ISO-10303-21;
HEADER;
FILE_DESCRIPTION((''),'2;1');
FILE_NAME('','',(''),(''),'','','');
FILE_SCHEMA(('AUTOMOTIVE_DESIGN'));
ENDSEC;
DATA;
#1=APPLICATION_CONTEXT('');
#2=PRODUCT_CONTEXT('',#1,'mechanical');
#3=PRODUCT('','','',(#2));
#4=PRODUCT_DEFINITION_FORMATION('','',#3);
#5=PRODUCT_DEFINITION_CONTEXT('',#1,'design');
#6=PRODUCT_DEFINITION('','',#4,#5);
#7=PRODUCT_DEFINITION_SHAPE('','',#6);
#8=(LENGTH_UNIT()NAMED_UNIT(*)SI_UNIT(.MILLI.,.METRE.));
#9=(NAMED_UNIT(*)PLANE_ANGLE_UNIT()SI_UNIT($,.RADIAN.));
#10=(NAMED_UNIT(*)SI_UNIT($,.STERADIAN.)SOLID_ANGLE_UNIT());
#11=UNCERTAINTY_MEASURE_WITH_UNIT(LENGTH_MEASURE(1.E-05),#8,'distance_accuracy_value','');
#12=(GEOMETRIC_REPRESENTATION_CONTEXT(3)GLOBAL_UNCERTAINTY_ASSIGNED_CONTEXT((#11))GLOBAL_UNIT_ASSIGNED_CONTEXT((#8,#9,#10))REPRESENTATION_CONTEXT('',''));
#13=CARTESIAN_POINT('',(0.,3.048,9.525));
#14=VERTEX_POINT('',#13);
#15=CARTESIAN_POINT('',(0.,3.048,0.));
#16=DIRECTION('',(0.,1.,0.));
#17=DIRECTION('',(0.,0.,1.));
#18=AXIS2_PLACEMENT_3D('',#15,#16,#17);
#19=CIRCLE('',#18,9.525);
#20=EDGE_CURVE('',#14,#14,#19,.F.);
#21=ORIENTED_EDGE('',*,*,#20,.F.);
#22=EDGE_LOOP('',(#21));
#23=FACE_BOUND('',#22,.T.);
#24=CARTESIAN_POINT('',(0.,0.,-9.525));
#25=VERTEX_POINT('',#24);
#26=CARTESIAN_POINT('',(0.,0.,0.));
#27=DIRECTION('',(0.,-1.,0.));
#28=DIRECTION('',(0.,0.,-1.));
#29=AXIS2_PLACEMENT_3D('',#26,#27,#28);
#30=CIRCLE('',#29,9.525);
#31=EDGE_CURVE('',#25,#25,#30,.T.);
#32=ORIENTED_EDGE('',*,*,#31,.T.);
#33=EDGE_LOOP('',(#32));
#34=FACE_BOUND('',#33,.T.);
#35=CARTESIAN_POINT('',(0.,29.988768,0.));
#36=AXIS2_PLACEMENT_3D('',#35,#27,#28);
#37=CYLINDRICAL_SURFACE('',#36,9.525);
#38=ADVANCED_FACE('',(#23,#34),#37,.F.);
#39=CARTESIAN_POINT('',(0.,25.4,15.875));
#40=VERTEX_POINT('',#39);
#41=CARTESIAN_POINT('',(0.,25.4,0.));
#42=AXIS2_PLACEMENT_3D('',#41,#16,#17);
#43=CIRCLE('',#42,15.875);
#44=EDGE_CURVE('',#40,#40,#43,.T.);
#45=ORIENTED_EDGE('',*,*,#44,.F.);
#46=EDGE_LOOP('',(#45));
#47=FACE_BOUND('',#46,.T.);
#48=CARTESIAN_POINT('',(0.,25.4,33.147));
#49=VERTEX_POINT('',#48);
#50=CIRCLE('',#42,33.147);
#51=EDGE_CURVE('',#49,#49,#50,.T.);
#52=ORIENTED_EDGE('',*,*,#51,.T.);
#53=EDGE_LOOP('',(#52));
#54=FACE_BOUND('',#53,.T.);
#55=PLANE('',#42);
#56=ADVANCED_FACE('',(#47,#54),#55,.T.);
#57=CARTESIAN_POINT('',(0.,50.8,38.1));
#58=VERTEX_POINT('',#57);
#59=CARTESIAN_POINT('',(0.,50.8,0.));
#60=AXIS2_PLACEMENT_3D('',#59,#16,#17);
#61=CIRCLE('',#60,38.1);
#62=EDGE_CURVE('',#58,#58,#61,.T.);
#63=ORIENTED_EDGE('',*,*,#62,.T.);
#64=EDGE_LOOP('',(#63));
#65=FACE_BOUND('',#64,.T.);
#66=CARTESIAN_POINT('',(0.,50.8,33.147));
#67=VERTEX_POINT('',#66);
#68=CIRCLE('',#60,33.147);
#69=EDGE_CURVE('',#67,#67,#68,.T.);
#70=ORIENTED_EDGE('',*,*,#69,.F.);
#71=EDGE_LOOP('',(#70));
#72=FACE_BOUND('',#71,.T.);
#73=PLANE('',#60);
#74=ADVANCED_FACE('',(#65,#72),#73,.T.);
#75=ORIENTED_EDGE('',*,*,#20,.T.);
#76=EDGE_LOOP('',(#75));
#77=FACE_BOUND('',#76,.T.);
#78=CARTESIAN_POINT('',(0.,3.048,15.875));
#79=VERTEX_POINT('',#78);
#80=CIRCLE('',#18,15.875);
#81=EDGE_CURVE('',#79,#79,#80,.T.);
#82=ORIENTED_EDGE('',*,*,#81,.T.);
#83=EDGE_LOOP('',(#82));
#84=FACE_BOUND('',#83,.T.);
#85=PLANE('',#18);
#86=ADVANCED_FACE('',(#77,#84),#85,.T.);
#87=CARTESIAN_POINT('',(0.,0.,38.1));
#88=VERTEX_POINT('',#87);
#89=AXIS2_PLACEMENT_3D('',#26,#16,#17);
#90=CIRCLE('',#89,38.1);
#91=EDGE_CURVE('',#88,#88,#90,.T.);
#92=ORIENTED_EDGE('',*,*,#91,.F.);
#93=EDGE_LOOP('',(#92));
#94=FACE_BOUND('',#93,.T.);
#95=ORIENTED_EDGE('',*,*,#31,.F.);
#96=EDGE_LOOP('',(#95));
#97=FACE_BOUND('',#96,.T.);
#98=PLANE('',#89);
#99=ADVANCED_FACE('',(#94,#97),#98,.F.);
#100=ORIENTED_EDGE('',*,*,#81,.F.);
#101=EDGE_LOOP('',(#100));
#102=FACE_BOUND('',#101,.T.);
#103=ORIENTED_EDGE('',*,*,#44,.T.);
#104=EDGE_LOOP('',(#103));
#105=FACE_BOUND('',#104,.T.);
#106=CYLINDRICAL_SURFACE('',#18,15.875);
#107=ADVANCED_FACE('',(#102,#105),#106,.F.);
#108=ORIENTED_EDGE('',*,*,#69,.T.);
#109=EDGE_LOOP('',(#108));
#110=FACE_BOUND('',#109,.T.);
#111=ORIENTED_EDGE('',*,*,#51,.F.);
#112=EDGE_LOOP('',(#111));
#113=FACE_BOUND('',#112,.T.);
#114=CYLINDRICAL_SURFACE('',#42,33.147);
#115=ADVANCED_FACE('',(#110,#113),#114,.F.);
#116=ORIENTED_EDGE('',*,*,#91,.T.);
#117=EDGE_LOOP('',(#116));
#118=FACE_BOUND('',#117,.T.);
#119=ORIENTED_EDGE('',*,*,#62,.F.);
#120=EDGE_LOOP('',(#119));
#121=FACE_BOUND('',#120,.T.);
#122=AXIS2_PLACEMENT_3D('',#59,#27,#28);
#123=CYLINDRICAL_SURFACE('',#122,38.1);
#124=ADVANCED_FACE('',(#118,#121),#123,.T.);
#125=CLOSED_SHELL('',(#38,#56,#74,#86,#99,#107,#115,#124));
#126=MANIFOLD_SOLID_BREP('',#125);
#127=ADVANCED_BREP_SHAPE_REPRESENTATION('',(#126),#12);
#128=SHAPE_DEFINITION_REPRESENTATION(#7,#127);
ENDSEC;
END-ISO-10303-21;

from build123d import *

# Parameters (mm, degrees)
SKETCH1_R           = 38.1
BOSS_EXTRUDE2_DEPTH = 50.8
SKETCH3_R           = 15.875
CUT_EXTRUDE2_DEPTH  = 47.752
SKETCH3_6_R         = 33.147
SKETCH3_6_R_2       = 15.875
CUT_EXTRUDE3_DEPTH  = 25.4
SKETCH4_R           = 9.525
CUT_EXTRUDE4_DEPTH  = 3.048


with BuildPart() as part:
    # Sketch1 → Boss-Extrude2 (new body)
    with BuildSketch(Plane(origin=(0, 0, 0), x_dir=(1, 0, 0), z_dir=(0, 1, 0))):
        Circle(SKETCH1_R)
    extrude(amount=BOSS_EXTRUDE2_DEPTH)

    # Sketch3 → Cut-Extrude2 (cut)
    with BuildSketch(Plane(origin=(0, 50.8, 0), x_dir=(1, 0, 0), z_dir=(0, 1, 0))):
        Circle(SKETCH3_R)
    extrude(amount=-CUT_EXTRUDE2_DEPTH, mode=Mode.SUBTRACT)

    # Sketch3<6> → Cut-Extrude3 (cut)
    with BuildSketch(Plane(origin=(0, 50.8, 0), x_dir=(1, 0, 0), z_dir=(0, 1, 0))):
        Circle(SKETCH3_6_R)
        Circle(SKETCH3_6_R_2, mode=Mode.SUBTRACT)
    extrude(amount=-CUT_EXTRUDE3_DEPTH, mode=Mode.SUBTRACT)

    # Sketch4 → Cut-Extrude4 (cut)
    with BuildSketch(Plane(origin=(0, 0, 0), x_dir=(-1, 0, 0), z_dir=(0, -1, 0))):
        Circle(SKETCH4_R)
    extrude(amount=-CUT_EXTRUDE4_DEPTH, mode=Mode.SUBTRACT)


solid = part.part
